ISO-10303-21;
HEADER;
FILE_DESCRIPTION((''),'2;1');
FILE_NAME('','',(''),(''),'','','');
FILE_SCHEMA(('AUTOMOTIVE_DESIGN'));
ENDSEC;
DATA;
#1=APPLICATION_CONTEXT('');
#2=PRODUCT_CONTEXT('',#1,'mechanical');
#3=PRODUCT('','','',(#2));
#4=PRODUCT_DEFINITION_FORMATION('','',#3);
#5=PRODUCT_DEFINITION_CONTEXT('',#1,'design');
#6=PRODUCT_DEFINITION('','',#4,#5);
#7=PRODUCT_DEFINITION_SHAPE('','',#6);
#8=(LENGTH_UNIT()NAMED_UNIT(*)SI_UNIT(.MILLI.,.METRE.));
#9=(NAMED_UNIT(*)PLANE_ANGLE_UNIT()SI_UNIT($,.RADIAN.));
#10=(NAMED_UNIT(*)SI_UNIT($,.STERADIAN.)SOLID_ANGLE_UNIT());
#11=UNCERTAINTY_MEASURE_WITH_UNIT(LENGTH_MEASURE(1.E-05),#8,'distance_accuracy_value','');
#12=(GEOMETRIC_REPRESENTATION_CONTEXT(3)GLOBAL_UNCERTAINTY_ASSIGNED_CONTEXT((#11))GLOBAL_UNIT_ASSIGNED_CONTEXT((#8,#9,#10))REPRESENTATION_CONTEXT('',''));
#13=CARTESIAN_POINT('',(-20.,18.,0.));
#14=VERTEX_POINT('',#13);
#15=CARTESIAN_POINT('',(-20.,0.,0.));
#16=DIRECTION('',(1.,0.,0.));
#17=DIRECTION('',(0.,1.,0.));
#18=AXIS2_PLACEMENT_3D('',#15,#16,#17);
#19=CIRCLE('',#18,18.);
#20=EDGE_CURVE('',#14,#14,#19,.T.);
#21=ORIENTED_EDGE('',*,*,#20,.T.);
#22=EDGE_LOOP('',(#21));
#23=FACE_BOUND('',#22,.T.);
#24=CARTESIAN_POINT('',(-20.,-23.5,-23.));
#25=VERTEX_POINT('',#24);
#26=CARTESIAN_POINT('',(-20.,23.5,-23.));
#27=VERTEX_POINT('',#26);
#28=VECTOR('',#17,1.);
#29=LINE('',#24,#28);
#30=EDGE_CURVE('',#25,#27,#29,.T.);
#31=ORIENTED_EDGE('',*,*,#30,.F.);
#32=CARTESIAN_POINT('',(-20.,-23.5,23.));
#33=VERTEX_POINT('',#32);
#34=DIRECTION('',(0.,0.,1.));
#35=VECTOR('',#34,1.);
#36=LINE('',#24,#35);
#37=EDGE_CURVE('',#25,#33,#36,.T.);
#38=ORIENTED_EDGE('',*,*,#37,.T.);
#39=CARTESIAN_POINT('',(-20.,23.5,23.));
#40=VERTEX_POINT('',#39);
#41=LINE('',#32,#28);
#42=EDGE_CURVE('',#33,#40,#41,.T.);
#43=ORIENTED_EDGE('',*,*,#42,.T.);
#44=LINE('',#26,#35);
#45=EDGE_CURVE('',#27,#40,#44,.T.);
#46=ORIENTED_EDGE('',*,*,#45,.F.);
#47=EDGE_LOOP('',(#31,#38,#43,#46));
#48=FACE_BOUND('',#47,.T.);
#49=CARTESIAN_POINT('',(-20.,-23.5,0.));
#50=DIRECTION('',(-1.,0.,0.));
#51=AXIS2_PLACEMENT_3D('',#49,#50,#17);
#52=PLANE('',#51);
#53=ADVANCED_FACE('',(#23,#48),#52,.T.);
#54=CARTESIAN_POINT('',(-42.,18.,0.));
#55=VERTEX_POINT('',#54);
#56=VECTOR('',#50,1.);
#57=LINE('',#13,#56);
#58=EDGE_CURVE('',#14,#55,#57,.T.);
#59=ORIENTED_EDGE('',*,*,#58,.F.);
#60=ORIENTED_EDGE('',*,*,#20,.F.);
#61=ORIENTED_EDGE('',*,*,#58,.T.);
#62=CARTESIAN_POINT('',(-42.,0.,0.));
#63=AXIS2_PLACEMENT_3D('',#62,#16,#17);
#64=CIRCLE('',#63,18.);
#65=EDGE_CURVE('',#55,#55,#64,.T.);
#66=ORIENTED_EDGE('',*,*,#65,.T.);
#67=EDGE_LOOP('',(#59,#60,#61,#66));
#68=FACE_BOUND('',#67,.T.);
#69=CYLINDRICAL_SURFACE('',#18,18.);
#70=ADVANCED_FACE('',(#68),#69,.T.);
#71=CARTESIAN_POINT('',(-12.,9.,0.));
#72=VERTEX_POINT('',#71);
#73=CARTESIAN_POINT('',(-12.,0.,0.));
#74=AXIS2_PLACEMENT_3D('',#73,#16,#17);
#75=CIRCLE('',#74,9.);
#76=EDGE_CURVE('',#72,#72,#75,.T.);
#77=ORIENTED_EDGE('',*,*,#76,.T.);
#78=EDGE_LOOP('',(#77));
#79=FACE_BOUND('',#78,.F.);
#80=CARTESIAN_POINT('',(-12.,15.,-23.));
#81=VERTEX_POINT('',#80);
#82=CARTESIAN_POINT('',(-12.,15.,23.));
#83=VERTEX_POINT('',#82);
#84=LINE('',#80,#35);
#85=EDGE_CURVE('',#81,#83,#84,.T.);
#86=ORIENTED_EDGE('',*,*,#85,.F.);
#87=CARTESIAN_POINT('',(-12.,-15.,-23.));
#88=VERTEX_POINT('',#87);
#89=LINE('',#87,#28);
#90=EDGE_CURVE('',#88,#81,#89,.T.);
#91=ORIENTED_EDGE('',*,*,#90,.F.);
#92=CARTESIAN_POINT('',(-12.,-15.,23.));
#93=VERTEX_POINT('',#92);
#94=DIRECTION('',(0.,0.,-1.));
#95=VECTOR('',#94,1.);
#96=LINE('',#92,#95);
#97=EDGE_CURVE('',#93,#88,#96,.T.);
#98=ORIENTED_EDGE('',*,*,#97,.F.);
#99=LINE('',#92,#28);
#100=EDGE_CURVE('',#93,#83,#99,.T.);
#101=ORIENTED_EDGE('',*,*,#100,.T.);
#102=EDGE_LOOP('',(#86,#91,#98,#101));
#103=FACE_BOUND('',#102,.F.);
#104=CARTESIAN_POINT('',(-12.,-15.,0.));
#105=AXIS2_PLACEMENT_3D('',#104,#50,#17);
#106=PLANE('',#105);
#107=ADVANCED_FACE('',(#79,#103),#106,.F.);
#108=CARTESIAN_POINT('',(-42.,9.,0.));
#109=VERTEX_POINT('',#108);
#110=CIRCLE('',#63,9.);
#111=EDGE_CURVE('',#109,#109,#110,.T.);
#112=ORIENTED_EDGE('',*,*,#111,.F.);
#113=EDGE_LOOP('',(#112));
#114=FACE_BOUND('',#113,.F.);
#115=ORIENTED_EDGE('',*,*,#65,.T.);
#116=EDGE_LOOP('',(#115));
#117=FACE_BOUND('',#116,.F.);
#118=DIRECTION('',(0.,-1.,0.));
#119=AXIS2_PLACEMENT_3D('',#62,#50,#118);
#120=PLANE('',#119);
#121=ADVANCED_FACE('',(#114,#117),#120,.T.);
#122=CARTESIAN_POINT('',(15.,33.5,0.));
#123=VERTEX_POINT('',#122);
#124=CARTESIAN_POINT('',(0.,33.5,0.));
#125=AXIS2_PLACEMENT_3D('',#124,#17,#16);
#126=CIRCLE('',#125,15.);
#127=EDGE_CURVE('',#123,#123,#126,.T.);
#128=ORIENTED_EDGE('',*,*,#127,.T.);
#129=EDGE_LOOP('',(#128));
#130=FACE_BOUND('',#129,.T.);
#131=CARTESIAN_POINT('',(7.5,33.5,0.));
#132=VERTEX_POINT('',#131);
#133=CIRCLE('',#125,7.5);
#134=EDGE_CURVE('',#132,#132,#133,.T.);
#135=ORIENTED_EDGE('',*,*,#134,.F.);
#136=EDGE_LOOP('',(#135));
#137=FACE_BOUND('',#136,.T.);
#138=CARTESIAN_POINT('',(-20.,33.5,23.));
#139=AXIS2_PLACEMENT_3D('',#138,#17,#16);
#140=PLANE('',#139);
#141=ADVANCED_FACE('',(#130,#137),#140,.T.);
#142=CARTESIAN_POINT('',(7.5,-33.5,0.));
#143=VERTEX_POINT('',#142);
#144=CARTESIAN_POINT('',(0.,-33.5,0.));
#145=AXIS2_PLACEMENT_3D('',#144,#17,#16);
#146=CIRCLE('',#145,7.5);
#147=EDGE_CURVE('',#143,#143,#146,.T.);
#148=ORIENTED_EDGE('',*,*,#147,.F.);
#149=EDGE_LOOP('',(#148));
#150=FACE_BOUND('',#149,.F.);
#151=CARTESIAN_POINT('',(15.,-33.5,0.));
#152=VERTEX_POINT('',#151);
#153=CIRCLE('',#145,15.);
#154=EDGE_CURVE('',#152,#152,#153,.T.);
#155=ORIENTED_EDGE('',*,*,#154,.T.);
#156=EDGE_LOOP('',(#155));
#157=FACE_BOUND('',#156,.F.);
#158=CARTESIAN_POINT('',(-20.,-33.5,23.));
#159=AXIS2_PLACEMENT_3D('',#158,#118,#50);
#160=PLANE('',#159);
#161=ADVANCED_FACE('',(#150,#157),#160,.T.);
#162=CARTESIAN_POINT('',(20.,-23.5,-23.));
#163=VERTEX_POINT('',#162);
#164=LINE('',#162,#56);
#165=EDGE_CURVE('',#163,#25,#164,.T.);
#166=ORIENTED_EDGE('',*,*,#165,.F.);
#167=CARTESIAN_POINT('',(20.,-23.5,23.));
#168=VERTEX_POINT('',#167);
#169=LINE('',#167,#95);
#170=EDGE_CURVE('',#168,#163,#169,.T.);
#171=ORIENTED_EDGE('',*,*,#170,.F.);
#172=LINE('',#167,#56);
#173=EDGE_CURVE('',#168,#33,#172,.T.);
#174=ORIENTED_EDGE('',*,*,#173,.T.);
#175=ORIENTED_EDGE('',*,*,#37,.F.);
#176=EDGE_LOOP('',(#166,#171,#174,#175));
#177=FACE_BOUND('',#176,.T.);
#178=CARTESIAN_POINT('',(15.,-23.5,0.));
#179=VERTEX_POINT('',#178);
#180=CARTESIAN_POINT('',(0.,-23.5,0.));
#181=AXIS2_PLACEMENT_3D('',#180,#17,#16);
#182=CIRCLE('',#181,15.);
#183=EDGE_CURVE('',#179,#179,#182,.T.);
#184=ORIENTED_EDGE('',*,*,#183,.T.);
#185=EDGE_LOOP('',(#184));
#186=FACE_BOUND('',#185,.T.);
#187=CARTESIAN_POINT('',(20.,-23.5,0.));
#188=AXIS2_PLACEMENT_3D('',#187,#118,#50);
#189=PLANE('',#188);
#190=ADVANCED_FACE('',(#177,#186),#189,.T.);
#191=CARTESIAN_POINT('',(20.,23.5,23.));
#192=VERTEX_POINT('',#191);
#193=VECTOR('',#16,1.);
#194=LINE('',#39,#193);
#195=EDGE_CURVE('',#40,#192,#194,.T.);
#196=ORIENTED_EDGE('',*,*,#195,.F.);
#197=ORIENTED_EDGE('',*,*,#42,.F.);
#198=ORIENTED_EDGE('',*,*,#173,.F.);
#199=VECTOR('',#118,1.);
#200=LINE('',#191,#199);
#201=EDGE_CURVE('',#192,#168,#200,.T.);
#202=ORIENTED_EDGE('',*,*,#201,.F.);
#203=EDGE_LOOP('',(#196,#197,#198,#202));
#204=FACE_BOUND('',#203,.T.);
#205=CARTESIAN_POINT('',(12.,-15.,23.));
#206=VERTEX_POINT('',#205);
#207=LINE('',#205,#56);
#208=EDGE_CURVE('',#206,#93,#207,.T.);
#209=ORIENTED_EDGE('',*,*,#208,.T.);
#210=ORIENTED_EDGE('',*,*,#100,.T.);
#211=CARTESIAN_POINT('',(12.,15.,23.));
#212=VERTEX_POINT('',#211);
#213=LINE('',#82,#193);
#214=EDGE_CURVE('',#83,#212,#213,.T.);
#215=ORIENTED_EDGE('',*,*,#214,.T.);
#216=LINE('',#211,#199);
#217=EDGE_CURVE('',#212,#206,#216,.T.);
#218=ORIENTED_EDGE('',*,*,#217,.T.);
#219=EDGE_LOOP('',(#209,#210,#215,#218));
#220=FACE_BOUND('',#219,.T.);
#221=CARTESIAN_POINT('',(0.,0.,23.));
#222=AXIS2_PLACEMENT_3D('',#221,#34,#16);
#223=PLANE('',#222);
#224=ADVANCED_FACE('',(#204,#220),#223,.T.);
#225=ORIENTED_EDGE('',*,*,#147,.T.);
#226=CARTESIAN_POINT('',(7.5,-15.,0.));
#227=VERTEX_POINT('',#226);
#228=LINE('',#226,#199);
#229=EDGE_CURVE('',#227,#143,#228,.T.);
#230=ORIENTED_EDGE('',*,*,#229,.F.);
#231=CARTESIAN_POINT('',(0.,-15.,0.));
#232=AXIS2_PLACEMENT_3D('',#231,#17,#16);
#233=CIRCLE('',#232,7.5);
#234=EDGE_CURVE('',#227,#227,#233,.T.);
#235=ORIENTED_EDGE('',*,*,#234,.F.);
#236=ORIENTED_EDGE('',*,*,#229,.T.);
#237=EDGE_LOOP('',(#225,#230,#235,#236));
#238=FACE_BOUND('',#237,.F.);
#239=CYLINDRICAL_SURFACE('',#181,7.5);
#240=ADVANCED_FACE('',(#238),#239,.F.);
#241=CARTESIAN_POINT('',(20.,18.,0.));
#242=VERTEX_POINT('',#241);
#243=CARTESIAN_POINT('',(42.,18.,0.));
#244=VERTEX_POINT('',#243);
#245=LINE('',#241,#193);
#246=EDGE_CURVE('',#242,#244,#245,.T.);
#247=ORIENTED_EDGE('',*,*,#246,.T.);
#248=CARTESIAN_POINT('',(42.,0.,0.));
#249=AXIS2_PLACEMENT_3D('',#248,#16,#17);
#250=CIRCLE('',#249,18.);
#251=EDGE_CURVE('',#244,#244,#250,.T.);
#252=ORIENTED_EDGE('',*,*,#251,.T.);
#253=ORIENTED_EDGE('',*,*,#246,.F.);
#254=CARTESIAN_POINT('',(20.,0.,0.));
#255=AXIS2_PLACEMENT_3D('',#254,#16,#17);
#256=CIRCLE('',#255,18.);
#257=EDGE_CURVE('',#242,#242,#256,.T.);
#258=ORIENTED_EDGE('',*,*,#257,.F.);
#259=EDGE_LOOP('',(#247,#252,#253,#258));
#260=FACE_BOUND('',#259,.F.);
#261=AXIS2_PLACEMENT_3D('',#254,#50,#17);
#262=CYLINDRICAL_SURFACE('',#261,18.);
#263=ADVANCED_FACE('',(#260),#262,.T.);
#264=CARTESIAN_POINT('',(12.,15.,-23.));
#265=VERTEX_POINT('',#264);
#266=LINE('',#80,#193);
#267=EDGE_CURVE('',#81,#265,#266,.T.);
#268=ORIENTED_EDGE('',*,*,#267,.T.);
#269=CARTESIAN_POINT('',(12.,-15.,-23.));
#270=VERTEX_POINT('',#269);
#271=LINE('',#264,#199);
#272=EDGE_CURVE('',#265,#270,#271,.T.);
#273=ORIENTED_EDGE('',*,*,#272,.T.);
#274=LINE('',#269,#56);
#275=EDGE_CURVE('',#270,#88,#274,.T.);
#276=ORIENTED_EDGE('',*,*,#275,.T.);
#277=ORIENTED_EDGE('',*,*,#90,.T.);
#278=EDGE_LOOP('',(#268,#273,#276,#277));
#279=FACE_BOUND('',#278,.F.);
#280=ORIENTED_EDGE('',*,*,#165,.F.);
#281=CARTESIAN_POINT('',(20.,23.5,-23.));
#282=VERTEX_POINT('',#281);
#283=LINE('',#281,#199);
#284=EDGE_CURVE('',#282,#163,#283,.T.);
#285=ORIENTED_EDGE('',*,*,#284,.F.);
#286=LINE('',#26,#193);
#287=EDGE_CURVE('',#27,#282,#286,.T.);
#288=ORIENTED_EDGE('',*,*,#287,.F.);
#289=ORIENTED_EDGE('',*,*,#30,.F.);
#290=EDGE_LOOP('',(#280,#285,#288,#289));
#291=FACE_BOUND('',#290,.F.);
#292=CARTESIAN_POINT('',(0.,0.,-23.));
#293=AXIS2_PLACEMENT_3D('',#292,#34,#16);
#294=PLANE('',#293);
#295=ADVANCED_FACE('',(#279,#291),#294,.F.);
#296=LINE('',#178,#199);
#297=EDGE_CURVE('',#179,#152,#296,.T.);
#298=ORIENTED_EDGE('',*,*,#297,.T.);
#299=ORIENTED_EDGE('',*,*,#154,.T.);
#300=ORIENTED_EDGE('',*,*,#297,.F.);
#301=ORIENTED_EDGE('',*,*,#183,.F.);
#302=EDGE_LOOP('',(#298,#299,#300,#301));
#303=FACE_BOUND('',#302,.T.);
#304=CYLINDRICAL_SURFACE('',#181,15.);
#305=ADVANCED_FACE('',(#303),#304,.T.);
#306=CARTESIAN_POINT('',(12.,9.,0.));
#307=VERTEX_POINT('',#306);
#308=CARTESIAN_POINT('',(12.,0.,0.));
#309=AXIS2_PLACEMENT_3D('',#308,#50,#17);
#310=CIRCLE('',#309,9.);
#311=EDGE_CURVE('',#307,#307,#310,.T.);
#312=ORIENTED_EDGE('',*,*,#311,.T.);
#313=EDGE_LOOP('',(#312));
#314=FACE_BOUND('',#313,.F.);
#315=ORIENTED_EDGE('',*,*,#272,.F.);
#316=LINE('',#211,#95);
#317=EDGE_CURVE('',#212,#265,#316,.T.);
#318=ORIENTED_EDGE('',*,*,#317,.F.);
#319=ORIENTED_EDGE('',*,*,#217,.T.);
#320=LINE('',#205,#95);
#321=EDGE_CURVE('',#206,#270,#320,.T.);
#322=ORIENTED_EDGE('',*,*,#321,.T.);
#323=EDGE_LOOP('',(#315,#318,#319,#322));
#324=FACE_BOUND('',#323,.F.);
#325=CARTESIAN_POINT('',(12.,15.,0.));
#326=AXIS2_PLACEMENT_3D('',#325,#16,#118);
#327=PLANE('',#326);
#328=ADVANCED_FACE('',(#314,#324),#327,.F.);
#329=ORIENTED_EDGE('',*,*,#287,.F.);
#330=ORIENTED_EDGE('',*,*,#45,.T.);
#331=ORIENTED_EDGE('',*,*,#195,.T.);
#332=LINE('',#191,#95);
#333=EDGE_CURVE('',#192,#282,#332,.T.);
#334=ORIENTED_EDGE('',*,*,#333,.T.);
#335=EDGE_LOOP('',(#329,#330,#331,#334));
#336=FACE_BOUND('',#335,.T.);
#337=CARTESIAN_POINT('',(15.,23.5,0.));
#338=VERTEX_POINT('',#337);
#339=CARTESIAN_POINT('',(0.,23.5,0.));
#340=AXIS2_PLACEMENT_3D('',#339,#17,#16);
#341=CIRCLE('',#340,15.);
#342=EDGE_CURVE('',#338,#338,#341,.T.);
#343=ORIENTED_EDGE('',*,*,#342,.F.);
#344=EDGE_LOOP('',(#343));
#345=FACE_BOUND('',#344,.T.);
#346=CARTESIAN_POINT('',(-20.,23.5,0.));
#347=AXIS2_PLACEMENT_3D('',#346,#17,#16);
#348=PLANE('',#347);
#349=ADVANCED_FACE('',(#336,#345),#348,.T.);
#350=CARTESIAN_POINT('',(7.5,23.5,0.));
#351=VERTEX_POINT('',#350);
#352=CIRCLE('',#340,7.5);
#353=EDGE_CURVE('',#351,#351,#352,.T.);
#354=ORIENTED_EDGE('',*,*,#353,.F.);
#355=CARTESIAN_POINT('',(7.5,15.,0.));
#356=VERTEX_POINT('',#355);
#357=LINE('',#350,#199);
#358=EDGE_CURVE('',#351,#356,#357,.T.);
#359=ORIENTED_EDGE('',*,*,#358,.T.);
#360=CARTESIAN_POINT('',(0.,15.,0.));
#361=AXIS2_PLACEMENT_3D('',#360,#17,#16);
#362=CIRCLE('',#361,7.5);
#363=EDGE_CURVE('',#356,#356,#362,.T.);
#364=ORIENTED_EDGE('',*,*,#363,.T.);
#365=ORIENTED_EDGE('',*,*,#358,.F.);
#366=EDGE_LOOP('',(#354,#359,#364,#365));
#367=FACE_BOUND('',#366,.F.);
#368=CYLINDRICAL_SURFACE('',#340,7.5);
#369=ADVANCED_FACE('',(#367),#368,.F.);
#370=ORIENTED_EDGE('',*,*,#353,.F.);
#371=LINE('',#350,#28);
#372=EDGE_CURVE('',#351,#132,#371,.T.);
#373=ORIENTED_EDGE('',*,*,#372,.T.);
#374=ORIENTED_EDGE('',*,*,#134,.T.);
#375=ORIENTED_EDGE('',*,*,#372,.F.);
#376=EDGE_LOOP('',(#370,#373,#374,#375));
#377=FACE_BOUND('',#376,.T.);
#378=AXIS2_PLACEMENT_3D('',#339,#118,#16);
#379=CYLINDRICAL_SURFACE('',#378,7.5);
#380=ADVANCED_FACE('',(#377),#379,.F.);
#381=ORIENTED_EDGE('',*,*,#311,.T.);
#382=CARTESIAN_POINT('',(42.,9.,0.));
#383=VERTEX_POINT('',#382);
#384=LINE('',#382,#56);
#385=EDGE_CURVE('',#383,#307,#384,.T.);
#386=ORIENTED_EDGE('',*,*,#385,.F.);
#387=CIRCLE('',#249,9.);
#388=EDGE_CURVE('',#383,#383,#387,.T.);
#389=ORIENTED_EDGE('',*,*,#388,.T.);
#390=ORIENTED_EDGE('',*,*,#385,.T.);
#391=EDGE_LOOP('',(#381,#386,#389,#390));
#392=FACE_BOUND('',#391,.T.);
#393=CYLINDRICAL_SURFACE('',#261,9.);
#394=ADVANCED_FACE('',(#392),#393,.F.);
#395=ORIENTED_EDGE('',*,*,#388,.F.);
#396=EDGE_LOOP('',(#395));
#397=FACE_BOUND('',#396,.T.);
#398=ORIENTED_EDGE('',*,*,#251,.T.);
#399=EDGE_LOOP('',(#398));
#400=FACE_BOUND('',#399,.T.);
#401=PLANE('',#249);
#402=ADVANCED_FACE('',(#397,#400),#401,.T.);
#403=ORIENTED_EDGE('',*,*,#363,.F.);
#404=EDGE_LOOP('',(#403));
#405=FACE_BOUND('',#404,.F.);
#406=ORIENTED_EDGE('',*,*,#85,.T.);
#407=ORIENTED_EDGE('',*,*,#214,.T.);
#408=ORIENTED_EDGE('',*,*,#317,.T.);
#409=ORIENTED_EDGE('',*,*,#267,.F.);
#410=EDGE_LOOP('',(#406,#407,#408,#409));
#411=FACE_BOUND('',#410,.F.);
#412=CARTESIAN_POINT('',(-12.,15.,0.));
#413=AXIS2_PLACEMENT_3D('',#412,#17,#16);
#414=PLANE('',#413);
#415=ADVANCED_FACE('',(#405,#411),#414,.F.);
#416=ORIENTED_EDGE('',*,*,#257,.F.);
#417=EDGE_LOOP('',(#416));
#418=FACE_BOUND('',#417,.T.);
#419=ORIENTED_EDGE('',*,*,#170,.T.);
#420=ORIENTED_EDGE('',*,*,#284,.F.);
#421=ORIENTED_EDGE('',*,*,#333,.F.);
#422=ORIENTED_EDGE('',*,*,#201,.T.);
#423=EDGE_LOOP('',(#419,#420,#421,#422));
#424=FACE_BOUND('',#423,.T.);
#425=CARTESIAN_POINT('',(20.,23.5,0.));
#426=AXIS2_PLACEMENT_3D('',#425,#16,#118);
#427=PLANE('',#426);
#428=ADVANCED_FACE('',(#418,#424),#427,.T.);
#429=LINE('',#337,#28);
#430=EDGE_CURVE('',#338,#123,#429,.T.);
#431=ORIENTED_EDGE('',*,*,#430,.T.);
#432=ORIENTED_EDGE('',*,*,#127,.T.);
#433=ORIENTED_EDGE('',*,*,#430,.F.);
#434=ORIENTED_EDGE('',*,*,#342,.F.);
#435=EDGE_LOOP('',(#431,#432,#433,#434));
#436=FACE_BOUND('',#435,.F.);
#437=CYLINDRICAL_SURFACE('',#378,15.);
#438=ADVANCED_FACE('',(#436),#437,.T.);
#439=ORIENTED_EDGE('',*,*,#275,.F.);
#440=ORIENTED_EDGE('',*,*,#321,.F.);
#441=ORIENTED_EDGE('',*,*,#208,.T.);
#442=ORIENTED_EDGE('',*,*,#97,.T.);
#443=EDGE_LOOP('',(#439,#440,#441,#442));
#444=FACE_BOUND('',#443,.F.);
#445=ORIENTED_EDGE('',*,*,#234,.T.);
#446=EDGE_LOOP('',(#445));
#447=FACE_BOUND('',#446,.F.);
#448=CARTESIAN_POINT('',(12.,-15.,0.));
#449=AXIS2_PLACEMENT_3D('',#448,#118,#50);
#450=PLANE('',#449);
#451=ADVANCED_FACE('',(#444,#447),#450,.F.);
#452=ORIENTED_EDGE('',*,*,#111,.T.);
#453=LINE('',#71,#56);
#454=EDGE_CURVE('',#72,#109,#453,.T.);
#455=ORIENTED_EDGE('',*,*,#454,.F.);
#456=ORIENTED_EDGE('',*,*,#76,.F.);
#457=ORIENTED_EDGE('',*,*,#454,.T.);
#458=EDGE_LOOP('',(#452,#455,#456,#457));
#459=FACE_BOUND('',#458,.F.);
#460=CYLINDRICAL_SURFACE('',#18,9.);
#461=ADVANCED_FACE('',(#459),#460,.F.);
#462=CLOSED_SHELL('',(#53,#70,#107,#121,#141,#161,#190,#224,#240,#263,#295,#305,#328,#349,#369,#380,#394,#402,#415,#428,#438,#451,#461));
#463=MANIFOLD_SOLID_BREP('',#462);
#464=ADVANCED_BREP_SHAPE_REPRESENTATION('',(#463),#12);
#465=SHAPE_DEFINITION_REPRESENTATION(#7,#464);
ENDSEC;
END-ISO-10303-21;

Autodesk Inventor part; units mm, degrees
ref_plane "YZ Plane" through (0, 0, 0) normal (1, 0, 0) x (0, 1, 0)
ref_plane "XZ Plane" through (0, 0, 0) normal (0, 1, 0) x (-1, 0, 0)
ref_plane "XY Plane" through (0, 0, 0) normal (0, 0, 1) x (1, 0, 0)
sketch "Sketch1" plane through (0, 0, 0) normal (0, 0, 1) x (1, 0, 0)
  line L0 (-20, 23.5) -> (20, 23.5)
  line L1 (20, 23.5) -> (20, -23.5)
  line L2 (20, -23.5) -> (-20, -23.5)
  line L3 (-20, -23.5) -> (-20, 23.5)
  line L4 (-12, 15) -> (12, 15)
  line L5 (12, 15) -> (12, -15)
  line L6 (12, -15) -> (-12, -15)
  line L7 (-12, -15) -> (-12, 15)
  point P0 (0, 0)
  point P1 (20, 0)
  point P2 (0, 23.5)
  point P3 (12, 0)
  point P4 (0, 15)
  dimension "d0" = 40
  dimension "d1" = 47
  dimension "d2" = 24
  dimension "d12" = 30
extrude "Extrusion1" add sketch "Sketch1" along normal mid plane 46
sketch "Sketch2" plane through (0, 0, 0) normal (1, 0, 0) x (0, 1, 0)
  circle A0 centre (0, 0) radius 9
  circle A1 centre (0, 0) radius 18
  dimension "d5" = 18
  dimension "d6" = 36
extrude "Extrusion2" cut sketch "Sketch2" along normal through all both and the other way through all contours A0
extrude "Extrusion3" add sketch "Sketch2" along normal blind 22 from surface at 20
mirror "Mirror1" about plane through (0, 0, 0) normal (1, 0, 0) of "Extrusion3"
sketch "Sketch3" plane through (-20, 23.5, 23) normal (0, 1, 0) x (1, 0, 0)
  circle A0 centre (20, 23) radius 7.5
  circle A1 centre (20, 23) radius 15
  dimension "d13" = 15
  dimension "d14" = 30
extrude "Extrusion4" cut sketch "Sketch3" against normal through all contours A0
extrude "Extrusion5" add sketch "Sketch3" along normal blind 10
mirror "Mirror2" about plane through (0, 0, 0) normal (0, 1, 0) of "Extrusion5"
ref_plane "Work Plane1" through (0, 0, 0) normal (0, 1, 0) x (-1, 0, 0)
properties part number "DP816"
